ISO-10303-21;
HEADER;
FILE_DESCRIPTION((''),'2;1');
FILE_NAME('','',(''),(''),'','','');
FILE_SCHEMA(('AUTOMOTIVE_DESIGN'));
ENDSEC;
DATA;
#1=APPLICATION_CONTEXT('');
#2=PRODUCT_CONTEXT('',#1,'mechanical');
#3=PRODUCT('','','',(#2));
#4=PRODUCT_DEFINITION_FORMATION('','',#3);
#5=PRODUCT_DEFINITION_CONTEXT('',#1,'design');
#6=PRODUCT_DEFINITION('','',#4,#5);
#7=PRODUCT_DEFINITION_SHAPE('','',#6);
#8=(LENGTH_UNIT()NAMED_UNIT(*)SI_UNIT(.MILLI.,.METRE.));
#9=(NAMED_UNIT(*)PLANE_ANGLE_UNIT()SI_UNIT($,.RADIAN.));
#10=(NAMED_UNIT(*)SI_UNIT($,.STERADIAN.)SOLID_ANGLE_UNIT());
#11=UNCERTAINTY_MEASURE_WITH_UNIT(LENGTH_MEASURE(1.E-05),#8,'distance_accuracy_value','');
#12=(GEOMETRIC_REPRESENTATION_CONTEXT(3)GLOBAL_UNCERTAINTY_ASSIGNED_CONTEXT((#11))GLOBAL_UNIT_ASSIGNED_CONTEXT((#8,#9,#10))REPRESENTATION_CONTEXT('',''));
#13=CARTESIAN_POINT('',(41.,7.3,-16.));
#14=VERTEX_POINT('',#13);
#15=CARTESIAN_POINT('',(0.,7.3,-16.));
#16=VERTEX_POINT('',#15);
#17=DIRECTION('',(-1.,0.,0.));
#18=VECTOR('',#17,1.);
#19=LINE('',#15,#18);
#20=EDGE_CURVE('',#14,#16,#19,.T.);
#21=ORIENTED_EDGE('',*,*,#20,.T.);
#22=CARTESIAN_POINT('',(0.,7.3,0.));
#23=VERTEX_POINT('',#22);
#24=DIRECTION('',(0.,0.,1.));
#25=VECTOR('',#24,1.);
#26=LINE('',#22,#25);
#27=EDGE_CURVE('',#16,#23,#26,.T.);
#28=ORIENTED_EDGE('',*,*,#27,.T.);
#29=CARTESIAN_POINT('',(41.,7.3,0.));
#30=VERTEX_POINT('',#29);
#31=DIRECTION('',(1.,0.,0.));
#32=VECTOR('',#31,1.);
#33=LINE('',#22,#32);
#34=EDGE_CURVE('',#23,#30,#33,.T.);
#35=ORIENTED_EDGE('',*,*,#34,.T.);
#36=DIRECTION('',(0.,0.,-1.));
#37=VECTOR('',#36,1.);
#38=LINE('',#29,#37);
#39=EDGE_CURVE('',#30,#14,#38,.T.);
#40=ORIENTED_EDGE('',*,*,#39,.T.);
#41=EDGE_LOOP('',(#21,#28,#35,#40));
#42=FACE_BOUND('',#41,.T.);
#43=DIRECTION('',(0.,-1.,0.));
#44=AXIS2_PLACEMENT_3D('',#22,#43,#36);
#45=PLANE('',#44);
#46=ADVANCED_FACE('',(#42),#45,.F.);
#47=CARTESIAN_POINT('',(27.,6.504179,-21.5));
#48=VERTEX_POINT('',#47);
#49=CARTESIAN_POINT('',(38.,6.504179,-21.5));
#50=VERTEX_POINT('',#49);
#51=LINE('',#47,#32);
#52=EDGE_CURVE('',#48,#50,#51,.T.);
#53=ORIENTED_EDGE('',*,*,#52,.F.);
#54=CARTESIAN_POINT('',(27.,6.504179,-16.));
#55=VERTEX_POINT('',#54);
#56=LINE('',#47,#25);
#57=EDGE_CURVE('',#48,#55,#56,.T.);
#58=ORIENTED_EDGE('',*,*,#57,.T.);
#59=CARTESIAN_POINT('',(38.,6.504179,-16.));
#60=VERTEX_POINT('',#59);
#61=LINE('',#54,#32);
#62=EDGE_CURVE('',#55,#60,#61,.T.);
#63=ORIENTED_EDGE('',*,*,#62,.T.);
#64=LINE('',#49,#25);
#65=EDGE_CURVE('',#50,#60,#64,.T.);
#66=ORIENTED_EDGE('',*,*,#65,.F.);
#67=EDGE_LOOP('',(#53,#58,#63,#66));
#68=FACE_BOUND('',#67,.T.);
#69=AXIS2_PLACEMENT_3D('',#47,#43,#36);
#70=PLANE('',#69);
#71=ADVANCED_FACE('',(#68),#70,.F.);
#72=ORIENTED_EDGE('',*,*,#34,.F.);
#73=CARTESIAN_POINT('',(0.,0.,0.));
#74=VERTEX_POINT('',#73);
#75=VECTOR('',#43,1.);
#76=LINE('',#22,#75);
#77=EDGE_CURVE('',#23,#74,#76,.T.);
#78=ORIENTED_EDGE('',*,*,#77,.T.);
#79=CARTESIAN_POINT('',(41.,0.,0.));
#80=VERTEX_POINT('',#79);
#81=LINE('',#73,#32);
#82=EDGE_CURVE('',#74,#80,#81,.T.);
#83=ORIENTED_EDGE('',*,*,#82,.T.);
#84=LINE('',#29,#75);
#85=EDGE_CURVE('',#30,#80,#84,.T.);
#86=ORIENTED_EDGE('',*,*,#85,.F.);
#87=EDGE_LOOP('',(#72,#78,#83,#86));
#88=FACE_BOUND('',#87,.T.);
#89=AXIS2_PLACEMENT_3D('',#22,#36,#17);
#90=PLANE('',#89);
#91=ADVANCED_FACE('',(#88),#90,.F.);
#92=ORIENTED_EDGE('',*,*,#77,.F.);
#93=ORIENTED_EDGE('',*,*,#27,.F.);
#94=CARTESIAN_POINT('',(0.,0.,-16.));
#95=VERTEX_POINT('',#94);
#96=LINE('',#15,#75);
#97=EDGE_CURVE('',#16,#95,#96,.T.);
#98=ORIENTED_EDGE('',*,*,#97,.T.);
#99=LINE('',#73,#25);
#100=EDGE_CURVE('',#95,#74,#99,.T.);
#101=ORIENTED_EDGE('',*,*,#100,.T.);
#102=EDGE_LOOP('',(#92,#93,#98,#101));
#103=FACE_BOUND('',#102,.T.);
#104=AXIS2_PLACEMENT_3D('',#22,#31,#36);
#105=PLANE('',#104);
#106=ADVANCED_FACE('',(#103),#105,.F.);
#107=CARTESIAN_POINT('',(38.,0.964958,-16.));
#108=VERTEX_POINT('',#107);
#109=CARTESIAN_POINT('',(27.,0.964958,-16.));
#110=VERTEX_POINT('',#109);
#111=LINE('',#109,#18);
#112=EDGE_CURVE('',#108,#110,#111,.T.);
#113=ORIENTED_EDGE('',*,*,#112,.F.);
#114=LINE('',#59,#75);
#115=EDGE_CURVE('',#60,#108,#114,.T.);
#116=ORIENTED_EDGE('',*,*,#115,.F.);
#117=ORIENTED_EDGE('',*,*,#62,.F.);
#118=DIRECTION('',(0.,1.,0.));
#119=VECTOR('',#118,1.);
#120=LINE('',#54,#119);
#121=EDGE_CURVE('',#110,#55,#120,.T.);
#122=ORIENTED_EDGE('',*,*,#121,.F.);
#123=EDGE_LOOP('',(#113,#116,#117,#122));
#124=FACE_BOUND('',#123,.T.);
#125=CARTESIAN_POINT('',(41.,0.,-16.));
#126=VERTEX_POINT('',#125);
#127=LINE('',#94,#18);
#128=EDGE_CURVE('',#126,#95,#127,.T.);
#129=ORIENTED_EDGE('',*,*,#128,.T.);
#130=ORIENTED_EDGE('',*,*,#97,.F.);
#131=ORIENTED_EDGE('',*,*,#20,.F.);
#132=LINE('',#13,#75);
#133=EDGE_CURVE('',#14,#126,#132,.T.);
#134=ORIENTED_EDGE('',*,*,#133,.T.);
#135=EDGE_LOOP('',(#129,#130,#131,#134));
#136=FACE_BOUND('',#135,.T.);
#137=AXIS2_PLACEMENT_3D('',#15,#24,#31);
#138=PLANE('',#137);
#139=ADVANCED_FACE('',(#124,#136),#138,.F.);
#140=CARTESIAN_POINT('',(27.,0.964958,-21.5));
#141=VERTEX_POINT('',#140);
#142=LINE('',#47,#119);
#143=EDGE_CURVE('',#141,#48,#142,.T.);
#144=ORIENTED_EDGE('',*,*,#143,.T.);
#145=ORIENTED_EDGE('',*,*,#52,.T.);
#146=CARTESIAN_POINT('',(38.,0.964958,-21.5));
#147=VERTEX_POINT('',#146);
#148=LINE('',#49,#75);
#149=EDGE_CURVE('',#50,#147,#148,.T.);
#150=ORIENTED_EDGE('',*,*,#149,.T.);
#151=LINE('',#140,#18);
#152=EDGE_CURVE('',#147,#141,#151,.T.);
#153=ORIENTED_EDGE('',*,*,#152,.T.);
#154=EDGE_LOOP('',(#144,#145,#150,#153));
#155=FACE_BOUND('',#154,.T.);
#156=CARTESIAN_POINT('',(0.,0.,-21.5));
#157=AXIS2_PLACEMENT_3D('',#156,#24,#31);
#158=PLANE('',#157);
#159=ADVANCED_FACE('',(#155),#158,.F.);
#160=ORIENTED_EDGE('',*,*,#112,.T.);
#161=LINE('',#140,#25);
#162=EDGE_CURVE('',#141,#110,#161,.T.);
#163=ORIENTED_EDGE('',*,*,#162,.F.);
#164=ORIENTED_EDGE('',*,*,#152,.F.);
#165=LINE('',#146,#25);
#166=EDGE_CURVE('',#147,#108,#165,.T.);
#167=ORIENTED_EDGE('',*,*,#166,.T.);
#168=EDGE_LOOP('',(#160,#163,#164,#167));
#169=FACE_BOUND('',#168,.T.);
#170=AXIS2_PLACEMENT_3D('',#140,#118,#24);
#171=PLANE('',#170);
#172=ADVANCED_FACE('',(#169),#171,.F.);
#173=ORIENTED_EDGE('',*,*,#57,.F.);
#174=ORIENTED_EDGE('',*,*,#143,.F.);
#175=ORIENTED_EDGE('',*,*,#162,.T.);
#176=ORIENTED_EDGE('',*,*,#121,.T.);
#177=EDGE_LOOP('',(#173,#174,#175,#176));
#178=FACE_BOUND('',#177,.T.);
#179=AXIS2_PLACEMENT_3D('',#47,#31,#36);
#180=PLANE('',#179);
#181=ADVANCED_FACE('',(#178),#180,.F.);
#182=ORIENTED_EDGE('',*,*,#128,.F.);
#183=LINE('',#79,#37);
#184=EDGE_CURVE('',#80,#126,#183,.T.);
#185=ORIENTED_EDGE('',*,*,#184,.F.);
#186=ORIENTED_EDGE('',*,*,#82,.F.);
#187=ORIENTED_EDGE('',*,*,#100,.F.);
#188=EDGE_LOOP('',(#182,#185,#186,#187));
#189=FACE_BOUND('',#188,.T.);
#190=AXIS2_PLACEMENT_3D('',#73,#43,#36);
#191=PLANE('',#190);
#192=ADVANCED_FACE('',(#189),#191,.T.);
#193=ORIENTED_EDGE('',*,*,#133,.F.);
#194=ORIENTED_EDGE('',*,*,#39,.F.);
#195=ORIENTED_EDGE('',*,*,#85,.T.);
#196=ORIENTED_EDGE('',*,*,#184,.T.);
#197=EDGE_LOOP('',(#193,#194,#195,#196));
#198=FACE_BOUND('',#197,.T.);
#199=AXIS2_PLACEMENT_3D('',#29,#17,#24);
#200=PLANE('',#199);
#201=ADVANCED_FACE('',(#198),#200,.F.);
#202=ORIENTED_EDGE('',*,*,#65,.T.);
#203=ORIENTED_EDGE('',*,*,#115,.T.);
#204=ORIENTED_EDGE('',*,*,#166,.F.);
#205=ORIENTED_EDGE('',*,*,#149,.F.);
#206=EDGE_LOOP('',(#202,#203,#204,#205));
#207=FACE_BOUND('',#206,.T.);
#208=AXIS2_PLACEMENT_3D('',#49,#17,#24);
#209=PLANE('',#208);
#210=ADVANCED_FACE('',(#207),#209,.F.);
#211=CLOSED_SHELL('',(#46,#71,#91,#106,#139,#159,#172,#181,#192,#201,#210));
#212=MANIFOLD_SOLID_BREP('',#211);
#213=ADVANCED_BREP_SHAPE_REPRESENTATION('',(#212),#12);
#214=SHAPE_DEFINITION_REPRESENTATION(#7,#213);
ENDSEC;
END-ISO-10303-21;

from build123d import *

# Parameters (mm, degrees)
SKETCH_1_W      = 41
SKETCH_1_H      = 16
EXTRUDE_1_DEPTH = 7.3
SKETCH_2_W      = 11
SKETCH_2_H      = 5.539220632
EXTRUDE_2_DEPTH = 5.5


with BuildPart() as part:
    # 草图1 → 凸台-拉伸1 (new body)
    with BuildSketch(Plane(origin=(0, 0, 0), x_dir=(1, 0, 0), z_dir=(0, 1, 0))):
        with Locations((20.5, 8)):
            Rectangle(SKETCH_1_W, SKETCH_1_H)
    extrude(amount=EXTRUDE_1_DEPTH)

    # 草图2 → 凸台-拉伸2 (add)
    with BuildSketch(Plane(origin=(0, 0, -16), x_dir=(-1, 0, 0), z_dir=(0, 0, -1))):
        with Locations((-32.5, 3.734568254)):
            Rectangle(SKETCH_2_W, SKETCH_2_H)
    extrude(amount=EXTRUDE_2_DEPTH)


solid = part.part
